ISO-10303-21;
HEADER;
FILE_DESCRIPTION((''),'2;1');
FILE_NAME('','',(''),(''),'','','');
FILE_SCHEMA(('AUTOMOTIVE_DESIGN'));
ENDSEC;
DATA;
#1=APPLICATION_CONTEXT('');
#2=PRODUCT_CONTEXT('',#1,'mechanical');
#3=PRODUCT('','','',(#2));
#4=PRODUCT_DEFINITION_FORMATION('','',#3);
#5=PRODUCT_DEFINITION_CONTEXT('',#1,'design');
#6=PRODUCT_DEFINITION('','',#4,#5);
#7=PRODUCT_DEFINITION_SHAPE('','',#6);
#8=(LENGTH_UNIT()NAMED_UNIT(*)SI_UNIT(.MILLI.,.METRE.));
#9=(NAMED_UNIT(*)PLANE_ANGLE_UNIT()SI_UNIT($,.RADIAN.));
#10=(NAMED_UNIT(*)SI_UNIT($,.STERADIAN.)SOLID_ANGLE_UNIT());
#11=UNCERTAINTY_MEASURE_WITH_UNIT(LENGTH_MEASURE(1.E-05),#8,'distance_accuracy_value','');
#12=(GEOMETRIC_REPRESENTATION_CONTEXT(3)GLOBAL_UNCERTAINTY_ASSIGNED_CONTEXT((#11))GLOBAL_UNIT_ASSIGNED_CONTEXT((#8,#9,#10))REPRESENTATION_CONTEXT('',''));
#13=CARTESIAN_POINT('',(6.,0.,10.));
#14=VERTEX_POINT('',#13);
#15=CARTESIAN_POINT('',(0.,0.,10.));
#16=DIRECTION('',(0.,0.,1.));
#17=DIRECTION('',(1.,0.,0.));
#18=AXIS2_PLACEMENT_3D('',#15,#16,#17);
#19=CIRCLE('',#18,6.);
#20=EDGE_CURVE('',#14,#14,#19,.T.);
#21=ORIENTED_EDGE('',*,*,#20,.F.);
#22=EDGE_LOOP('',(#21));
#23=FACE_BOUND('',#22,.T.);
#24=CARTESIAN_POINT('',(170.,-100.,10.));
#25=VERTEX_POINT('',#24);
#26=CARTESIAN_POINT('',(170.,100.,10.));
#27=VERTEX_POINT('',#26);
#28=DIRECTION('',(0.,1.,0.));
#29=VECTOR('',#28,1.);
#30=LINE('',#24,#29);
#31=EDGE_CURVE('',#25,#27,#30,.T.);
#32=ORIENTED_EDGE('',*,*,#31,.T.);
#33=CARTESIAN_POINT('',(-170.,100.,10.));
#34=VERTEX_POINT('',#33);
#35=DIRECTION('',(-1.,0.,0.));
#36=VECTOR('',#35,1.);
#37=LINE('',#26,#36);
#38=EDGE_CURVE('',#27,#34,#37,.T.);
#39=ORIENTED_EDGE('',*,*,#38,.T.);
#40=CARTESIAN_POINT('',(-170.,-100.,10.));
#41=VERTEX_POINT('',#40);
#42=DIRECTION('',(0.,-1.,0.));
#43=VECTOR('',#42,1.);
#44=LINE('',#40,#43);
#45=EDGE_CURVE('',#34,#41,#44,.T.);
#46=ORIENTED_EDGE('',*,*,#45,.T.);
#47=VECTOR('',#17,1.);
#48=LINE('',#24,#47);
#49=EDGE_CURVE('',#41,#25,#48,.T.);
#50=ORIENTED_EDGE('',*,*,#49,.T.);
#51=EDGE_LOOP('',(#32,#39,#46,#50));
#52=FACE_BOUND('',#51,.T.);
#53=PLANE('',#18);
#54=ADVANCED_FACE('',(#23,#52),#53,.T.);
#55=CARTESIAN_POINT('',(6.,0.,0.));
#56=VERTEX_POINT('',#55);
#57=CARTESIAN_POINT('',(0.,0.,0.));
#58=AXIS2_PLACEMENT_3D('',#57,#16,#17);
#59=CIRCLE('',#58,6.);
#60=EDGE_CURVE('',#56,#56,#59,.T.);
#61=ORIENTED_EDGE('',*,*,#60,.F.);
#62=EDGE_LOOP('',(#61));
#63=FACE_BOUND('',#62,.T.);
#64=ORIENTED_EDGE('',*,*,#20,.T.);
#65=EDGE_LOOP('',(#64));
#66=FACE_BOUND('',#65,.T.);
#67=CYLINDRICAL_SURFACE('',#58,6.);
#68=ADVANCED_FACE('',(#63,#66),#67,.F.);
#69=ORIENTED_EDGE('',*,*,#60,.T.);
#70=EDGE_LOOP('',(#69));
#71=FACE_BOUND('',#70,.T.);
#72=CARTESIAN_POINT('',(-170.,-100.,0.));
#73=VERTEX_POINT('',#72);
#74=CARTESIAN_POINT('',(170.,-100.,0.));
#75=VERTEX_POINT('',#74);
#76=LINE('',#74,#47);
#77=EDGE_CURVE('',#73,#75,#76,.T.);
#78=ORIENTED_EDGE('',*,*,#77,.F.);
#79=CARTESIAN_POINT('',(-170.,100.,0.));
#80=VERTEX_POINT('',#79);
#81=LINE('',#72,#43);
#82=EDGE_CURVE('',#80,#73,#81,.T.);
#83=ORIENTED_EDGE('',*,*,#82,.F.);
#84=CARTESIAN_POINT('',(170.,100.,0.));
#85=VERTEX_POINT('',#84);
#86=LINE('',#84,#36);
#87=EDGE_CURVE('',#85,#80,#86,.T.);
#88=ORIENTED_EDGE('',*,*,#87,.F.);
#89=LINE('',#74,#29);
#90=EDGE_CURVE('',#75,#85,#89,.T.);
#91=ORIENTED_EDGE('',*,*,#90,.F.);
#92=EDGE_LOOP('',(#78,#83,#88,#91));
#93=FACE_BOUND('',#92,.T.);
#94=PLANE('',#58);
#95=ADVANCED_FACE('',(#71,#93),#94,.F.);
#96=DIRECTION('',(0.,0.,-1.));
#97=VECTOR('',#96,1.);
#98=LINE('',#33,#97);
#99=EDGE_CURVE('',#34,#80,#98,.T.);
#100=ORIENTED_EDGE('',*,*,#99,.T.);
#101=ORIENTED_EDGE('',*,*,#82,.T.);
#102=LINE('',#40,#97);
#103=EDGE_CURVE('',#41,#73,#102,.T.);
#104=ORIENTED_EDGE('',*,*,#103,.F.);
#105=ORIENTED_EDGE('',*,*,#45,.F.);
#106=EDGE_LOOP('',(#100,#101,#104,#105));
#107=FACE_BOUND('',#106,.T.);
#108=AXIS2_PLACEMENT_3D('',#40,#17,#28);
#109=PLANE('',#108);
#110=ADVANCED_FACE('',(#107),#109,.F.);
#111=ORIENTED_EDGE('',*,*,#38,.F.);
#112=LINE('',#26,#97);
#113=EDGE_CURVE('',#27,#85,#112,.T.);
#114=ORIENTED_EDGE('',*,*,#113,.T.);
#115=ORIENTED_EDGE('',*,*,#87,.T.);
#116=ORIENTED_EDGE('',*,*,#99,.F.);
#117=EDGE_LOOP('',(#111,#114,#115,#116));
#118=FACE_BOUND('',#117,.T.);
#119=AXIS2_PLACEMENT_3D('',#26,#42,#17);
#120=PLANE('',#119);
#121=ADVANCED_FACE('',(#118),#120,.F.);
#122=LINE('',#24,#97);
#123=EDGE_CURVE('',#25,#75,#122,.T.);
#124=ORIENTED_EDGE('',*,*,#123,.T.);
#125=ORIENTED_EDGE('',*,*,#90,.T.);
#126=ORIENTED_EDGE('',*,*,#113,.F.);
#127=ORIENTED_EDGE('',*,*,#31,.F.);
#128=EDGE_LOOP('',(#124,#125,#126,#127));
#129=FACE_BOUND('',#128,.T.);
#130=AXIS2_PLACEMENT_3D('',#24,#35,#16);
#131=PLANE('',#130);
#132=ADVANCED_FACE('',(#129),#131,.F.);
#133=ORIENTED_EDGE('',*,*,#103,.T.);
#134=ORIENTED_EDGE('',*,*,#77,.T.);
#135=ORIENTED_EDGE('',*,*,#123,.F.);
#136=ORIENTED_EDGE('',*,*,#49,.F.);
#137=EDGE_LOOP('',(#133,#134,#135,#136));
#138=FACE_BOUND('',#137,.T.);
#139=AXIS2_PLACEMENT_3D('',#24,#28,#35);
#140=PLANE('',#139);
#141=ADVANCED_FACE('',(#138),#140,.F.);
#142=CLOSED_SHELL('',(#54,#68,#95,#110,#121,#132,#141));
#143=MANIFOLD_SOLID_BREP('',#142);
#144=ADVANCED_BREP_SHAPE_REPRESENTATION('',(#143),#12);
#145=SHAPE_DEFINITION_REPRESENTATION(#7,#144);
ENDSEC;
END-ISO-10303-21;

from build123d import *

# Parameters (mm, degrees)
SKETCH_1_W          = 340
SKETCH_1_H          = 200
EXTRUDE_1_DEPTH     = 10
SKETCH_2_R          = 6
CUT_EXTRUDE_1_DEPTH = 198.484176581


with BuildPart() as part:
    # 草图1 → 凸台-拉伸1 (new body)
    with BuildSketch(Plane.XY):
        Rectangle(SKETCH_1_W, SKETCH_1_H)
    extrude(amount=EXTRUDE_1_DEPTH)

    # 草图2 → 切除-拉伸1 (cut, through all)
    with BuildSketch(Plane.XY.offset(10)):
        Circle(SKETCH_2_R)
    extrude(amount=-CUT_EXTRUDE_1_DEPTH, mode=Mode.SUBTRACT)


solid = part.part
